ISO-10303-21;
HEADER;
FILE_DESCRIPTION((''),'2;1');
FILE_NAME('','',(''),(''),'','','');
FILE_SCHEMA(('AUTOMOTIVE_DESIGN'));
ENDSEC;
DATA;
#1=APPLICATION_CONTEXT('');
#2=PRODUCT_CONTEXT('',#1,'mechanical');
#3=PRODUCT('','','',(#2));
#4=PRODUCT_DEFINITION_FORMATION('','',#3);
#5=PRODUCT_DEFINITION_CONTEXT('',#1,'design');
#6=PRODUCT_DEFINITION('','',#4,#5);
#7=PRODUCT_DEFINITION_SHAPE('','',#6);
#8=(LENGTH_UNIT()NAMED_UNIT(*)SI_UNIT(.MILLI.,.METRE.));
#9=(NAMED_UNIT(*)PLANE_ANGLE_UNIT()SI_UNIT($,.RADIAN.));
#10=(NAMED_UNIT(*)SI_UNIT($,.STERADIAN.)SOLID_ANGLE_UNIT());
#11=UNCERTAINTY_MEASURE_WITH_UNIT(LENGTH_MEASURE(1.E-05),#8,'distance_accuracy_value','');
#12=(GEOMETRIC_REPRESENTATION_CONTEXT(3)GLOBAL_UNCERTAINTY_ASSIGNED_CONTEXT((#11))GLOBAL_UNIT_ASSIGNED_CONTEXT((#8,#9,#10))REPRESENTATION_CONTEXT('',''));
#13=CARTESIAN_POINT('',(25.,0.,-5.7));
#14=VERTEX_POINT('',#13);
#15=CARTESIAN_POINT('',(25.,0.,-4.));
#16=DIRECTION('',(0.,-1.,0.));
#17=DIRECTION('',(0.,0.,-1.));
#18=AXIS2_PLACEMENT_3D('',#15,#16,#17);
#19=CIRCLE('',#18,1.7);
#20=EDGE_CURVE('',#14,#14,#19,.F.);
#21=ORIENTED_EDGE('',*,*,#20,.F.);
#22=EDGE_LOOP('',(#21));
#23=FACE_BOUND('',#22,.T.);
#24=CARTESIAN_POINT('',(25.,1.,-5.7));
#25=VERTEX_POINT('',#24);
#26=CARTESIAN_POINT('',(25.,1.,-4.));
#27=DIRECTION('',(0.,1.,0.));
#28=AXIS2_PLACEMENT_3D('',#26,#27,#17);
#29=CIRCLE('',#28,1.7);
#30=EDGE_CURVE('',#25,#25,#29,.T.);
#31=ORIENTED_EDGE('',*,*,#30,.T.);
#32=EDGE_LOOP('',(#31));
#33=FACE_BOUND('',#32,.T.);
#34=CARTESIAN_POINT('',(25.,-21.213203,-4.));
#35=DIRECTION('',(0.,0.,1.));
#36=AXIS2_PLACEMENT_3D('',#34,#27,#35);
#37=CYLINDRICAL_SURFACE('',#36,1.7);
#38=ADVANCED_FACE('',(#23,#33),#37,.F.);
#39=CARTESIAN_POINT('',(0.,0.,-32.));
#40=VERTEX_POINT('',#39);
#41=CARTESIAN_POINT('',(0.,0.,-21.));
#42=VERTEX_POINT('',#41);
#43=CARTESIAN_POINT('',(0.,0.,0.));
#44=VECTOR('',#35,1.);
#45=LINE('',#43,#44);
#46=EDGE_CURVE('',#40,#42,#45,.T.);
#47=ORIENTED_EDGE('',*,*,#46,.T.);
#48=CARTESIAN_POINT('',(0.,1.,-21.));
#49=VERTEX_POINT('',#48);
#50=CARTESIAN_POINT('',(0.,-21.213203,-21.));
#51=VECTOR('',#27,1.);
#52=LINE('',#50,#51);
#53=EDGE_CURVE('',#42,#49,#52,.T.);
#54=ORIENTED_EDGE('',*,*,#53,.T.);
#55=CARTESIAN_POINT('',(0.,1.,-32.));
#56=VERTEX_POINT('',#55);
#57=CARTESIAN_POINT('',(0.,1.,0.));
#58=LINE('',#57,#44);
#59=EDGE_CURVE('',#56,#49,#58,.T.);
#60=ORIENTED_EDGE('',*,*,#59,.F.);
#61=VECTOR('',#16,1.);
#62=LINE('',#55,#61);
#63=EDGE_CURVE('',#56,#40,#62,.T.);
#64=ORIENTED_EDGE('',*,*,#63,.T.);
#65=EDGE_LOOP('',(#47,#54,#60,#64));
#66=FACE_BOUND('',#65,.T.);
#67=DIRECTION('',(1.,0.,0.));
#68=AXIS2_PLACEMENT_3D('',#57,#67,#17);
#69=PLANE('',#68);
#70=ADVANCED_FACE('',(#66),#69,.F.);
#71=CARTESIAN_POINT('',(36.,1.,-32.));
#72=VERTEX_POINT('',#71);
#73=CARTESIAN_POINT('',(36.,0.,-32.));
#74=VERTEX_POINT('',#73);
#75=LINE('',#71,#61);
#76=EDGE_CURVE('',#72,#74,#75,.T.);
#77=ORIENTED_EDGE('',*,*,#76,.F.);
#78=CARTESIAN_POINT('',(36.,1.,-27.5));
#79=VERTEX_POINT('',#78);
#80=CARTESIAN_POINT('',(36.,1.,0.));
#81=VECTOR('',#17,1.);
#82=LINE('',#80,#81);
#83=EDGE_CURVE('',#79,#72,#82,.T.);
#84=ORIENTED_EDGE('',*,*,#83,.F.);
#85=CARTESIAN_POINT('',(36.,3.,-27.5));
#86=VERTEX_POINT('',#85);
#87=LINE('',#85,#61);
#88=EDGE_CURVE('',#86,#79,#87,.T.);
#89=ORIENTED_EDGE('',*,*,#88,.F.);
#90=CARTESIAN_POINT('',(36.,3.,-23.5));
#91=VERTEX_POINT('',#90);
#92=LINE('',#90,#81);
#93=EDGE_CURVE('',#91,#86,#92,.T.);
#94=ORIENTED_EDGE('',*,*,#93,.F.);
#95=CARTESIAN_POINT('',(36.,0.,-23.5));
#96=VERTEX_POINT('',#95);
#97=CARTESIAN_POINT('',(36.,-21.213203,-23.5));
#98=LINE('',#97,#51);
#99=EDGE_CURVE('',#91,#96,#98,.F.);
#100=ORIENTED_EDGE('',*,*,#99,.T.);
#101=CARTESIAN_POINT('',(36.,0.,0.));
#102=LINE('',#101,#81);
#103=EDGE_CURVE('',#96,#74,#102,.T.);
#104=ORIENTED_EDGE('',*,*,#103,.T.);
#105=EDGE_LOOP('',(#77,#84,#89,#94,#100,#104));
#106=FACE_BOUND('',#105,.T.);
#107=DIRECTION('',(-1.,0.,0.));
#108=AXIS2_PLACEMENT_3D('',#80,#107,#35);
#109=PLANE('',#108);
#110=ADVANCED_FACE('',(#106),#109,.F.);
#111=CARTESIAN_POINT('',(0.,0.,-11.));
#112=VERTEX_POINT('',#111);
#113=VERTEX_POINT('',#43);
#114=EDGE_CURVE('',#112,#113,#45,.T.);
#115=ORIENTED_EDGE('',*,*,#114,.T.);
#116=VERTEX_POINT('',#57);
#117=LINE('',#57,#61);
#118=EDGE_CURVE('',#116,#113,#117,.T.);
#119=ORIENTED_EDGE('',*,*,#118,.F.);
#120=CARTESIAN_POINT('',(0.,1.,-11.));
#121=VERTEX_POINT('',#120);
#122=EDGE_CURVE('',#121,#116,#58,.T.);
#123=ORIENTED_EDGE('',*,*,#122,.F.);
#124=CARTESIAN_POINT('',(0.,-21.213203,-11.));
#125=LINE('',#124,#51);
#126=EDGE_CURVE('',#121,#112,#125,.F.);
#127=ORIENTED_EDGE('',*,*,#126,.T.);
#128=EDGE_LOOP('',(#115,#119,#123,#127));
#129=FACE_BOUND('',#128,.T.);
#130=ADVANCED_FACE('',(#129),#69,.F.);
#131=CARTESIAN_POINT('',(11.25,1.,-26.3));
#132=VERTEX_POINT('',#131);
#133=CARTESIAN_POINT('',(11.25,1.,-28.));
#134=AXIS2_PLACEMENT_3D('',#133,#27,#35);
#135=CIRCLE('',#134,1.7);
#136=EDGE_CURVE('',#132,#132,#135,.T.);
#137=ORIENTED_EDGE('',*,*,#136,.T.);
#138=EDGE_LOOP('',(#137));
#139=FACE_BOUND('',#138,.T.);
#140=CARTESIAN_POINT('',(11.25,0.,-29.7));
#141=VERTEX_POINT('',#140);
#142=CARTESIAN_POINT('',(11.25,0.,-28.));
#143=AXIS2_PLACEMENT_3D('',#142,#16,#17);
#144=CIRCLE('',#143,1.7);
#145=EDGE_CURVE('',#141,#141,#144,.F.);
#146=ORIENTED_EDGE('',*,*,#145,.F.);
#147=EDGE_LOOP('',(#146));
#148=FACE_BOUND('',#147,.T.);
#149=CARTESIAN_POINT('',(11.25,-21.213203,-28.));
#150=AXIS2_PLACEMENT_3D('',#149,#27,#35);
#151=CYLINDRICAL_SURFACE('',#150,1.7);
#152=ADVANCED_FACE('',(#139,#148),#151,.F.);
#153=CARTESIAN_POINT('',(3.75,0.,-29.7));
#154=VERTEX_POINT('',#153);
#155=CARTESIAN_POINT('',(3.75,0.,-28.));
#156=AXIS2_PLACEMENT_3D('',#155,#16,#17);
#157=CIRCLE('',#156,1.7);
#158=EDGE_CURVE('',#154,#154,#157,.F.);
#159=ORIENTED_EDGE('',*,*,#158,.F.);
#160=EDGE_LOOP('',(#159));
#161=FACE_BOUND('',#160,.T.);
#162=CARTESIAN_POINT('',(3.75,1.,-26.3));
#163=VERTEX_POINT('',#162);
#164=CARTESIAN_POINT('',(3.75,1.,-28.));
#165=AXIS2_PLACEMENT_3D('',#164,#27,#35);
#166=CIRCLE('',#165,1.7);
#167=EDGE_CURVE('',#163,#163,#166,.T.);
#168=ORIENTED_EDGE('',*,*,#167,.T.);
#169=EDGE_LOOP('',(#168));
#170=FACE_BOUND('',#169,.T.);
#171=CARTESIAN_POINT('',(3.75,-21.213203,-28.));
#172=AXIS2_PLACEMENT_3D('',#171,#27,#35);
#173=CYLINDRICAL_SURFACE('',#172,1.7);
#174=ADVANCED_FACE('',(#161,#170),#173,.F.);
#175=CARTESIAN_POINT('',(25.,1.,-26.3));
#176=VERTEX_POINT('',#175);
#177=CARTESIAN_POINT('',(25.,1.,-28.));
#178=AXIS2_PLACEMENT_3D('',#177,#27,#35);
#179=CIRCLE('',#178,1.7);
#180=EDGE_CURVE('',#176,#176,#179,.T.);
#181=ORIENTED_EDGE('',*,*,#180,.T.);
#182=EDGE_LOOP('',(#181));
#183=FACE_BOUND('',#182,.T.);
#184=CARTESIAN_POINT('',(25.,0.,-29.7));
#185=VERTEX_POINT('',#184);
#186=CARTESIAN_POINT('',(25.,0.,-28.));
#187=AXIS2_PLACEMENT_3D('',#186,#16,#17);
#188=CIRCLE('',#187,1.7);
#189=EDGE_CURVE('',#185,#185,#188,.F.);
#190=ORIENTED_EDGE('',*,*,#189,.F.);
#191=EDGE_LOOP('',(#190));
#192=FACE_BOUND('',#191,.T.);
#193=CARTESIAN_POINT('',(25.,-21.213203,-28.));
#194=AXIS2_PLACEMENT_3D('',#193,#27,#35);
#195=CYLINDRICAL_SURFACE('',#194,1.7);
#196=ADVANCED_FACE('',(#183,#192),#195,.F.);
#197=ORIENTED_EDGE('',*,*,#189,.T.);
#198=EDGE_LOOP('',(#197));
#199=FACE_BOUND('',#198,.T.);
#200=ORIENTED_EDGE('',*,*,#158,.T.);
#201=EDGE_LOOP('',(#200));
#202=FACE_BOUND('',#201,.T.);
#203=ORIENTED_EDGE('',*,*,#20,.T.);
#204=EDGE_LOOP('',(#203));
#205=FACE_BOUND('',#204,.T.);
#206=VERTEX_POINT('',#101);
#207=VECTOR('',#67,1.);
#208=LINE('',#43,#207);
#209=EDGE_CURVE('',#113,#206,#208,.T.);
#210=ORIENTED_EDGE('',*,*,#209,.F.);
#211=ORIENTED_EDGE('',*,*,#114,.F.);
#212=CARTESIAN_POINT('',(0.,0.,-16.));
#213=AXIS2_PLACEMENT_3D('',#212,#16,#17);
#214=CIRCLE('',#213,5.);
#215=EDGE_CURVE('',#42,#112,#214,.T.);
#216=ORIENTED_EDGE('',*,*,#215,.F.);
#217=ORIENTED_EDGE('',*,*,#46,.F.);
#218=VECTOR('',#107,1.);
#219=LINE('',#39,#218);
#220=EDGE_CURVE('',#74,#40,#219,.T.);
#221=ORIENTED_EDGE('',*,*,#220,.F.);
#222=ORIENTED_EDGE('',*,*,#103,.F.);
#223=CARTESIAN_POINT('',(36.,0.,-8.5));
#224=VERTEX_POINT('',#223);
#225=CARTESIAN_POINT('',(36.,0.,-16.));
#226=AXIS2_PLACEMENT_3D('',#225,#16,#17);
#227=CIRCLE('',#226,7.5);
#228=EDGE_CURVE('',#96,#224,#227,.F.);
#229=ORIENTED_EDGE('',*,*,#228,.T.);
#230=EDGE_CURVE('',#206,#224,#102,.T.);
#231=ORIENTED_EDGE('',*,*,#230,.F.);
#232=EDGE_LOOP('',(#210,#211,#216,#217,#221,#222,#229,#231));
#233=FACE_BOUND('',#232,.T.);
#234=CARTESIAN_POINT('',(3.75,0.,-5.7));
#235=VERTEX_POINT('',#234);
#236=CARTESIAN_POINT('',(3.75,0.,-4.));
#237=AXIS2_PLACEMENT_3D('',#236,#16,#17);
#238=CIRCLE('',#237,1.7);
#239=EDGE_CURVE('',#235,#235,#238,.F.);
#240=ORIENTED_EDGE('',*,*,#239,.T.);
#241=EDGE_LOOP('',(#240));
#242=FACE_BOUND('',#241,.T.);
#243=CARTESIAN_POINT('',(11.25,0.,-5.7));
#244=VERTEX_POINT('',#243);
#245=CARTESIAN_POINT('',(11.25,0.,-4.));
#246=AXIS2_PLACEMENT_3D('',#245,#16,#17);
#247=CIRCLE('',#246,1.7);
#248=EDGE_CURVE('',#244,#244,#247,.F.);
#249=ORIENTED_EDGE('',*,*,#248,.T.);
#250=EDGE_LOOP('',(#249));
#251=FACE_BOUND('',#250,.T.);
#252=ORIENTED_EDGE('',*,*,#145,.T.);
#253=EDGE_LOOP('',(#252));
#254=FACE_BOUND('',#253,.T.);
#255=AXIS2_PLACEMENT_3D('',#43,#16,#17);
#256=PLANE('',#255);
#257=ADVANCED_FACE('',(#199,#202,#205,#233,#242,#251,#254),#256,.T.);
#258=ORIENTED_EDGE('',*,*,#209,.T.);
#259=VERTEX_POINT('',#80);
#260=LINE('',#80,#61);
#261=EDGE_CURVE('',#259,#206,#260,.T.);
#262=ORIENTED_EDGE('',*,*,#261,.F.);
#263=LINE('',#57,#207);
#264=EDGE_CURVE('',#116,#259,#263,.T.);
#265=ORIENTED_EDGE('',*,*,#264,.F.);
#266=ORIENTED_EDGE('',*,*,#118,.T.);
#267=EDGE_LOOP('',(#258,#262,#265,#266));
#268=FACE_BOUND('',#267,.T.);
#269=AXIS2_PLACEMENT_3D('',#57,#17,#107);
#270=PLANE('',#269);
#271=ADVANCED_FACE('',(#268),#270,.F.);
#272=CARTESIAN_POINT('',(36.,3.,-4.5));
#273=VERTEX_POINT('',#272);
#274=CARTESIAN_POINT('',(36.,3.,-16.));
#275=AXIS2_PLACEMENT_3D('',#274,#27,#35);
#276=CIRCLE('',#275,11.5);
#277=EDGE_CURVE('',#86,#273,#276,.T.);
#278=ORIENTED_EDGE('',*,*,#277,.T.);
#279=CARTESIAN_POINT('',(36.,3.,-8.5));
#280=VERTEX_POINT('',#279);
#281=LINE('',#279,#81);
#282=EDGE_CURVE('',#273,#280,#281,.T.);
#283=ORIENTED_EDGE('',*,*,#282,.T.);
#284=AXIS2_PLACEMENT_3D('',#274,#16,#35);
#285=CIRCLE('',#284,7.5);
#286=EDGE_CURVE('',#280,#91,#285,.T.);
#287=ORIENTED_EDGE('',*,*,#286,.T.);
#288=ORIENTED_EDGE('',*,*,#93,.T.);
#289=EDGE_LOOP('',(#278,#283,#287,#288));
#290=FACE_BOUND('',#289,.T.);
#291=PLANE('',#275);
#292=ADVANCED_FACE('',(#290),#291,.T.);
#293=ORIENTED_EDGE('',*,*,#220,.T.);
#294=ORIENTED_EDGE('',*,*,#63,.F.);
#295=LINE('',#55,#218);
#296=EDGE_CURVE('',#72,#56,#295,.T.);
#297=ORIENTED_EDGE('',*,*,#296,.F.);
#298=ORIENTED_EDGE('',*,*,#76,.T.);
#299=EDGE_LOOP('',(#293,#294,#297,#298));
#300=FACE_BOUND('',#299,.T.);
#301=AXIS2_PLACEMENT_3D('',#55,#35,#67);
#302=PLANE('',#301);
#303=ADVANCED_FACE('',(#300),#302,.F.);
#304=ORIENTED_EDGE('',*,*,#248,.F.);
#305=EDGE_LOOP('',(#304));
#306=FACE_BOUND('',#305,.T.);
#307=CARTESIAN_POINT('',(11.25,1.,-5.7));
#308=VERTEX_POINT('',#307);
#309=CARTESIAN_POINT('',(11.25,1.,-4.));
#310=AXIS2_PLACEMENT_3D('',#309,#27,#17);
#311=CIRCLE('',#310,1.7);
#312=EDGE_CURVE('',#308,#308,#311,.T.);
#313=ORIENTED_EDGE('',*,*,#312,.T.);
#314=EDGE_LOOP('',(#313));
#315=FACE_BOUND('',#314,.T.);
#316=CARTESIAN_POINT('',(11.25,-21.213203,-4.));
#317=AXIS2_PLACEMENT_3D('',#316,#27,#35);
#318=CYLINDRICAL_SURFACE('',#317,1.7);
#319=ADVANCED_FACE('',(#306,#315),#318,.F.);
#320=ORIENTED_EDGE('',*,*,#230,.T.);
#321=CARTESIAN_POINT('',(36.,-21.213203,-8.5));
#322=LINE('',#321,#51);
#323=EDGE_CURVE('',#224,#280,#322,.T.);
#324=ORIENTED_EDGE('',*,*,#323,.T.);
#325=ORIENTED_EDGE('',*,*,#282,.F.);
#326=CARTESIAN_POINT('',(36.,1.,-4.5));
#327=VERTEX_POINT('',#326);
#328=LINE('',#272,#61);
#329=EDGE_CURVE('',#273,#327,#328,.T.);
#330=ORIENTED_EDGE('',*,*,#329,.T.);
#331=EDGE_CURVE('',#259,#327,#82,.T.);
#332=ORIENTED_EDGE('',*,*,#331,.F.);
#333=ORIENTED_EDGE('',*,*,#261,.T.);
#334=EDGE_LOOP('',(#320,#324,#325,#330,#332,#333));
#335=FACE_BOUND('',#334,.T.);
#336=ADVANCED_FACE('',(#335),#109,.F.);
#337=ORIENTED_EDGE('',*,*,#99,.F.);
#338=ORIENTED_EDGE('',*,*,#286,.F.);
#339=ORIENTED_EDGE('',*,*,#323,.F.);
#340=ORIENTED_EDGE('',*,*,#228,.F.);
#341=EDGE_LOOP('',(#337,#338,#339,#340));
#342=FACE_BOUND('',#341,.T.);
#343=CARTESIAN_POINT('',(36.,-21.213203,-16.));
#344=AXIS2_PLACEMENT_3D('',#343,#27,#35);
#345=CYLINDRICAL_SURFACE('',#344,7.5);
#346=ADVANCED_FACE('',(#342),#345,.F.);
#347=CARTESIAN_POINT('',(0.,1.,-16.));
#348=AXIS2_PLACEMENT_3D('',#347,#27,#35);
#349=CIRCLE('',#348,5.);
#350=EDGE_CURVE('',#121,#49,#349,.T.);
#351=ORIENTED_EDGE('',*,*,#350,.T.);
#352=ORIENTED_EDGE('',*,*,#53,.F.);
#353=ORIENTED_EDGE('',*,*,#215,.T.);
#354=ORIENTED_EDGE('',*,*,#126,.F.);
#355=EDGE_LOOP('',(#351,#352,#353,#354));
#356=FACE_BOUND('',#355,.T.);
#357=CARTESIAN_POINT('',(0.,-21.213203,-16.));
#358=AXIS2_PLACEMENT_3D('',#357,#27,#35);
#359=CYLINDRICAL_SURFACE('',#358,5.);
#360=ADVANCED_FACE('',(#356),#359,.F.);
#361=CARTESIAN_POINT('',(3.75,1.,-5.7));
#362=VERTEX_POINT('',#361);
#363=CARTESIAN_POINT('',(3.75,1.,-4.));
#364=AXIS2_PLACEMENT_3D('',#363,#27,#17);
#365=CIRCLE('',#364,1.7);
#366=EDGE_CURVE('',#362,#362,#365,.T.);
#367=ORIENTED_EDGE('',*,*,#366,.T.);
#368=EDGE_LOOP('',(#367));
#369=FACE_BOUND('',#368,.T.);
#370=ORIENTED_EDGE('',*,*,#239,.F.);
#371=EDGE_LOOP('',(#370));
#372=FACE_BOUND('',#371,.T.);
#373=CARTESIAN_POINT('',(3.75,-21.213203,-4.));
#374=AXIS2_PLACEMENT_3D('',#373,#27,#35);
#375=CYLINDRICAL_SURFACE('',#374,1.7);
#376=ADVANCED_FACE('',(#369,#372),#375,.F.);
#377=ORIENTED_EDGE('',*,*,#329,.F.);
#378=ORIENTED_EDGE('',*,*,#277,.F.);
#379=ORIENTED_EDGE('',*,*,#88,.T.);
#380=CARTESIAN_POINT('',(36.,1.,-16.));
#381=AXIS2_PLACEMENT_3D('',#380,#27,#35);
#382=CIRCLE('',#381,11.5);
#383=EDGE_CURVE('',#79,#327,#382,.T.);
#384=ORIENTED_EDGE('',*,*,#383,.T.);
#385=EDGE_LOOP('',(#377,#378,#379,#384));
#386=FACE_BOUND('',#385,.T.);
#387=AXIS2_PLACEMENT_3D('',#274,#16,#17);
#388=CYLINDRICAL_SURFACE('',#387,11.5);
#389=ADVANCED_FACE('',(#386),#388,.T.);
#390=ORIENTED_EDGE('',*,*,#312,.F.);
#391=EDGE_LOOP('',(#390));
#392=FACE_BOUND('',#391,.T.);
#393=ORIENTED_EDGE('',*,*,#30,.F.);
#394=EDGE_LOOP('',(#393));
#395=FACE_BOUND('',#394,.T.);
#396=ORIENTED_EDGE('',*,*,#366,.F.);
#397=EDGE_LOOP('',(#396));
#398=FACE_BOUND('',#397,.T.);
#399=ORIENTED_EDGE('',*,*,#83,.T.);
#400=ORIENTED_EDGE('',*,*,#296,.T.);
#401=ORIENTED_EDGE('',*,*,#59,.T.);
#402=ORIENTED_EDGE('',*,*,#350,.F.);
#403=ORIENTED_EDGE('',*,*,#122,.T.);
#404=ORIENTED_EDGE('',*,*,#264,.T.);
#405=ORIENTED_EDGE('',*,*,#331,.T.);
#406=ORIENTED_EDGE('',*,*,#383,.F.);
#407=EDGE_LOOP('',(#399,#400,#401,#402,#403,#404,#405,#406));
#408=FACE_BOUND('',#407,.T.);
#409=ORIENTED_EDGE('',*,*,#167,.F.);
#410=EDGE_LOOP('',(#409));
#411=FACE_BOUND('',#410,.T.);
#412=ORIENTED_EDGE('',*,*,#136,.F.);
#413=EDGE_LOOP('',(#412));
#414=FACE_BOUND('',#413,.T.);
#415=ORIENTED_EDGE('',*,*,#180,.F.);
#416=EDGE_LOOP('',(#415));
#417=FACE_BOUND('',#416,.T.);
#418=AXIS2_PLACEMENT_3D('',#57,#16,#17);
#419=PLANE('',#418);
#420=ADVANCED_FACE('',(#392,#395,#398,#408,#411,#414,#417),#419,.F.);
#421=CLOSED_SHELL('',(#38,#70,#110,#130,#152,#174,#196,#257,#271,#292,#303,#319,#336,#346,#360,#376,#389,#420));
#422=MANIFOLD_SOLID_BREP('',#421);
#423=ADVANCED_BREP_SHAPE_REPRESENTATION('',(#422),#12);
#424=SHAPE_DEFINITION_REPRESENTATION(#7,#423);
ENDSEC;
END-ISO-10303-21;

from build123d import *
from build123d.topology import SkipClean

# Parameters (mm, degrees)
SKETCH1_W           = 36
SKETCH1_H           = 32
BOSS_EXTRUDE1_DEPTH = 1
SKETCH2_R           = 1.7
SKETCH2_R_2         = 7.5
SKETCH2_R_3         = 5
CUT_EXTRUDE1_DEPTH  = 1
BOSS_EXTRUDE2_START = 2
BOSS_EXTRUDE2_DEPTH = 2


with BuildPart() as part:
    # Sketch1 → Boss-Extrude1 (new body)
    with BuildSketch(Plane(origin=(0, 0, 0), x_dir=(1, 0, 0), z_dir=(0, 1, 0))):
        with Locations((18, 16)):
            Rectangle(SKETCH1_W, SKETCH1_H)
    extrude(amount=BOSS_EXTRUDE1_DEPTH)

    # Sketch2 → Cut-Extrude1 (cut)
    with BuildSketch(Plane(origin=(0, 1, 0), x_dir=(1, 0, 0), z_dir=(0, 1, 0))):
        with Locations(Location((3.75, 28, 0), (0, 0, 270))):
            Circle(SKETCH2_R)
        with Locations(Location((11.25, 28, 0), (0, 0, 270))):
            Circle(SKETCH2_R)
        with Locations(Location((25, 28, 0), (0, 0, 270))):
            Circle(SKETCH2_R)
        with Locations((36, 16)):
            Circle(SKETCH2_R_2)
        with Locations(Location((25, 4, 0), (0, 0, 90))):
            Circle(SKETCH2_R)
        with Locations(Location((11.25, 4, 0), (0, 0, 90))):
            Circle(SKETCH2_R)
        with Locations(Location((3.75, 4, 0), (0, 0, 90))):
            Circle(SKETCH2_R)
        with Locations((0, 16)):
            Circle(SKETCH2_R_3)
    extrude(amount=-CUT_EXTRUDE1_DEPTH, mode=Mode.SUBTRACT)

    # Sketch3 → Boss-Extrude2 (add)
    with SkipClean():  # the faces are left unmerged after this step: merging them gives an invalid solid
        with BuildSketch(Plane(origin=(0, 1, 0), x_dir=(1, 0, 0), z_dir=(0, 1, 0)).offset(BOSS_EXTRUDE2_START)):
            with BuildLine():
                Line((36, 23.5), (36, 27.5))
                ThreePointArc((36, 27.5), (24.5, 16), (36, 4.5))
                Line((36, 4.5), (36, 8.5))
                ThreePointArc((36, 8.5), (28.5, 16), (36, 23.5))
            make_face()
        extrude(amount=-BOSS_EXTRUDE2_DEPTH)


solid = part.part
